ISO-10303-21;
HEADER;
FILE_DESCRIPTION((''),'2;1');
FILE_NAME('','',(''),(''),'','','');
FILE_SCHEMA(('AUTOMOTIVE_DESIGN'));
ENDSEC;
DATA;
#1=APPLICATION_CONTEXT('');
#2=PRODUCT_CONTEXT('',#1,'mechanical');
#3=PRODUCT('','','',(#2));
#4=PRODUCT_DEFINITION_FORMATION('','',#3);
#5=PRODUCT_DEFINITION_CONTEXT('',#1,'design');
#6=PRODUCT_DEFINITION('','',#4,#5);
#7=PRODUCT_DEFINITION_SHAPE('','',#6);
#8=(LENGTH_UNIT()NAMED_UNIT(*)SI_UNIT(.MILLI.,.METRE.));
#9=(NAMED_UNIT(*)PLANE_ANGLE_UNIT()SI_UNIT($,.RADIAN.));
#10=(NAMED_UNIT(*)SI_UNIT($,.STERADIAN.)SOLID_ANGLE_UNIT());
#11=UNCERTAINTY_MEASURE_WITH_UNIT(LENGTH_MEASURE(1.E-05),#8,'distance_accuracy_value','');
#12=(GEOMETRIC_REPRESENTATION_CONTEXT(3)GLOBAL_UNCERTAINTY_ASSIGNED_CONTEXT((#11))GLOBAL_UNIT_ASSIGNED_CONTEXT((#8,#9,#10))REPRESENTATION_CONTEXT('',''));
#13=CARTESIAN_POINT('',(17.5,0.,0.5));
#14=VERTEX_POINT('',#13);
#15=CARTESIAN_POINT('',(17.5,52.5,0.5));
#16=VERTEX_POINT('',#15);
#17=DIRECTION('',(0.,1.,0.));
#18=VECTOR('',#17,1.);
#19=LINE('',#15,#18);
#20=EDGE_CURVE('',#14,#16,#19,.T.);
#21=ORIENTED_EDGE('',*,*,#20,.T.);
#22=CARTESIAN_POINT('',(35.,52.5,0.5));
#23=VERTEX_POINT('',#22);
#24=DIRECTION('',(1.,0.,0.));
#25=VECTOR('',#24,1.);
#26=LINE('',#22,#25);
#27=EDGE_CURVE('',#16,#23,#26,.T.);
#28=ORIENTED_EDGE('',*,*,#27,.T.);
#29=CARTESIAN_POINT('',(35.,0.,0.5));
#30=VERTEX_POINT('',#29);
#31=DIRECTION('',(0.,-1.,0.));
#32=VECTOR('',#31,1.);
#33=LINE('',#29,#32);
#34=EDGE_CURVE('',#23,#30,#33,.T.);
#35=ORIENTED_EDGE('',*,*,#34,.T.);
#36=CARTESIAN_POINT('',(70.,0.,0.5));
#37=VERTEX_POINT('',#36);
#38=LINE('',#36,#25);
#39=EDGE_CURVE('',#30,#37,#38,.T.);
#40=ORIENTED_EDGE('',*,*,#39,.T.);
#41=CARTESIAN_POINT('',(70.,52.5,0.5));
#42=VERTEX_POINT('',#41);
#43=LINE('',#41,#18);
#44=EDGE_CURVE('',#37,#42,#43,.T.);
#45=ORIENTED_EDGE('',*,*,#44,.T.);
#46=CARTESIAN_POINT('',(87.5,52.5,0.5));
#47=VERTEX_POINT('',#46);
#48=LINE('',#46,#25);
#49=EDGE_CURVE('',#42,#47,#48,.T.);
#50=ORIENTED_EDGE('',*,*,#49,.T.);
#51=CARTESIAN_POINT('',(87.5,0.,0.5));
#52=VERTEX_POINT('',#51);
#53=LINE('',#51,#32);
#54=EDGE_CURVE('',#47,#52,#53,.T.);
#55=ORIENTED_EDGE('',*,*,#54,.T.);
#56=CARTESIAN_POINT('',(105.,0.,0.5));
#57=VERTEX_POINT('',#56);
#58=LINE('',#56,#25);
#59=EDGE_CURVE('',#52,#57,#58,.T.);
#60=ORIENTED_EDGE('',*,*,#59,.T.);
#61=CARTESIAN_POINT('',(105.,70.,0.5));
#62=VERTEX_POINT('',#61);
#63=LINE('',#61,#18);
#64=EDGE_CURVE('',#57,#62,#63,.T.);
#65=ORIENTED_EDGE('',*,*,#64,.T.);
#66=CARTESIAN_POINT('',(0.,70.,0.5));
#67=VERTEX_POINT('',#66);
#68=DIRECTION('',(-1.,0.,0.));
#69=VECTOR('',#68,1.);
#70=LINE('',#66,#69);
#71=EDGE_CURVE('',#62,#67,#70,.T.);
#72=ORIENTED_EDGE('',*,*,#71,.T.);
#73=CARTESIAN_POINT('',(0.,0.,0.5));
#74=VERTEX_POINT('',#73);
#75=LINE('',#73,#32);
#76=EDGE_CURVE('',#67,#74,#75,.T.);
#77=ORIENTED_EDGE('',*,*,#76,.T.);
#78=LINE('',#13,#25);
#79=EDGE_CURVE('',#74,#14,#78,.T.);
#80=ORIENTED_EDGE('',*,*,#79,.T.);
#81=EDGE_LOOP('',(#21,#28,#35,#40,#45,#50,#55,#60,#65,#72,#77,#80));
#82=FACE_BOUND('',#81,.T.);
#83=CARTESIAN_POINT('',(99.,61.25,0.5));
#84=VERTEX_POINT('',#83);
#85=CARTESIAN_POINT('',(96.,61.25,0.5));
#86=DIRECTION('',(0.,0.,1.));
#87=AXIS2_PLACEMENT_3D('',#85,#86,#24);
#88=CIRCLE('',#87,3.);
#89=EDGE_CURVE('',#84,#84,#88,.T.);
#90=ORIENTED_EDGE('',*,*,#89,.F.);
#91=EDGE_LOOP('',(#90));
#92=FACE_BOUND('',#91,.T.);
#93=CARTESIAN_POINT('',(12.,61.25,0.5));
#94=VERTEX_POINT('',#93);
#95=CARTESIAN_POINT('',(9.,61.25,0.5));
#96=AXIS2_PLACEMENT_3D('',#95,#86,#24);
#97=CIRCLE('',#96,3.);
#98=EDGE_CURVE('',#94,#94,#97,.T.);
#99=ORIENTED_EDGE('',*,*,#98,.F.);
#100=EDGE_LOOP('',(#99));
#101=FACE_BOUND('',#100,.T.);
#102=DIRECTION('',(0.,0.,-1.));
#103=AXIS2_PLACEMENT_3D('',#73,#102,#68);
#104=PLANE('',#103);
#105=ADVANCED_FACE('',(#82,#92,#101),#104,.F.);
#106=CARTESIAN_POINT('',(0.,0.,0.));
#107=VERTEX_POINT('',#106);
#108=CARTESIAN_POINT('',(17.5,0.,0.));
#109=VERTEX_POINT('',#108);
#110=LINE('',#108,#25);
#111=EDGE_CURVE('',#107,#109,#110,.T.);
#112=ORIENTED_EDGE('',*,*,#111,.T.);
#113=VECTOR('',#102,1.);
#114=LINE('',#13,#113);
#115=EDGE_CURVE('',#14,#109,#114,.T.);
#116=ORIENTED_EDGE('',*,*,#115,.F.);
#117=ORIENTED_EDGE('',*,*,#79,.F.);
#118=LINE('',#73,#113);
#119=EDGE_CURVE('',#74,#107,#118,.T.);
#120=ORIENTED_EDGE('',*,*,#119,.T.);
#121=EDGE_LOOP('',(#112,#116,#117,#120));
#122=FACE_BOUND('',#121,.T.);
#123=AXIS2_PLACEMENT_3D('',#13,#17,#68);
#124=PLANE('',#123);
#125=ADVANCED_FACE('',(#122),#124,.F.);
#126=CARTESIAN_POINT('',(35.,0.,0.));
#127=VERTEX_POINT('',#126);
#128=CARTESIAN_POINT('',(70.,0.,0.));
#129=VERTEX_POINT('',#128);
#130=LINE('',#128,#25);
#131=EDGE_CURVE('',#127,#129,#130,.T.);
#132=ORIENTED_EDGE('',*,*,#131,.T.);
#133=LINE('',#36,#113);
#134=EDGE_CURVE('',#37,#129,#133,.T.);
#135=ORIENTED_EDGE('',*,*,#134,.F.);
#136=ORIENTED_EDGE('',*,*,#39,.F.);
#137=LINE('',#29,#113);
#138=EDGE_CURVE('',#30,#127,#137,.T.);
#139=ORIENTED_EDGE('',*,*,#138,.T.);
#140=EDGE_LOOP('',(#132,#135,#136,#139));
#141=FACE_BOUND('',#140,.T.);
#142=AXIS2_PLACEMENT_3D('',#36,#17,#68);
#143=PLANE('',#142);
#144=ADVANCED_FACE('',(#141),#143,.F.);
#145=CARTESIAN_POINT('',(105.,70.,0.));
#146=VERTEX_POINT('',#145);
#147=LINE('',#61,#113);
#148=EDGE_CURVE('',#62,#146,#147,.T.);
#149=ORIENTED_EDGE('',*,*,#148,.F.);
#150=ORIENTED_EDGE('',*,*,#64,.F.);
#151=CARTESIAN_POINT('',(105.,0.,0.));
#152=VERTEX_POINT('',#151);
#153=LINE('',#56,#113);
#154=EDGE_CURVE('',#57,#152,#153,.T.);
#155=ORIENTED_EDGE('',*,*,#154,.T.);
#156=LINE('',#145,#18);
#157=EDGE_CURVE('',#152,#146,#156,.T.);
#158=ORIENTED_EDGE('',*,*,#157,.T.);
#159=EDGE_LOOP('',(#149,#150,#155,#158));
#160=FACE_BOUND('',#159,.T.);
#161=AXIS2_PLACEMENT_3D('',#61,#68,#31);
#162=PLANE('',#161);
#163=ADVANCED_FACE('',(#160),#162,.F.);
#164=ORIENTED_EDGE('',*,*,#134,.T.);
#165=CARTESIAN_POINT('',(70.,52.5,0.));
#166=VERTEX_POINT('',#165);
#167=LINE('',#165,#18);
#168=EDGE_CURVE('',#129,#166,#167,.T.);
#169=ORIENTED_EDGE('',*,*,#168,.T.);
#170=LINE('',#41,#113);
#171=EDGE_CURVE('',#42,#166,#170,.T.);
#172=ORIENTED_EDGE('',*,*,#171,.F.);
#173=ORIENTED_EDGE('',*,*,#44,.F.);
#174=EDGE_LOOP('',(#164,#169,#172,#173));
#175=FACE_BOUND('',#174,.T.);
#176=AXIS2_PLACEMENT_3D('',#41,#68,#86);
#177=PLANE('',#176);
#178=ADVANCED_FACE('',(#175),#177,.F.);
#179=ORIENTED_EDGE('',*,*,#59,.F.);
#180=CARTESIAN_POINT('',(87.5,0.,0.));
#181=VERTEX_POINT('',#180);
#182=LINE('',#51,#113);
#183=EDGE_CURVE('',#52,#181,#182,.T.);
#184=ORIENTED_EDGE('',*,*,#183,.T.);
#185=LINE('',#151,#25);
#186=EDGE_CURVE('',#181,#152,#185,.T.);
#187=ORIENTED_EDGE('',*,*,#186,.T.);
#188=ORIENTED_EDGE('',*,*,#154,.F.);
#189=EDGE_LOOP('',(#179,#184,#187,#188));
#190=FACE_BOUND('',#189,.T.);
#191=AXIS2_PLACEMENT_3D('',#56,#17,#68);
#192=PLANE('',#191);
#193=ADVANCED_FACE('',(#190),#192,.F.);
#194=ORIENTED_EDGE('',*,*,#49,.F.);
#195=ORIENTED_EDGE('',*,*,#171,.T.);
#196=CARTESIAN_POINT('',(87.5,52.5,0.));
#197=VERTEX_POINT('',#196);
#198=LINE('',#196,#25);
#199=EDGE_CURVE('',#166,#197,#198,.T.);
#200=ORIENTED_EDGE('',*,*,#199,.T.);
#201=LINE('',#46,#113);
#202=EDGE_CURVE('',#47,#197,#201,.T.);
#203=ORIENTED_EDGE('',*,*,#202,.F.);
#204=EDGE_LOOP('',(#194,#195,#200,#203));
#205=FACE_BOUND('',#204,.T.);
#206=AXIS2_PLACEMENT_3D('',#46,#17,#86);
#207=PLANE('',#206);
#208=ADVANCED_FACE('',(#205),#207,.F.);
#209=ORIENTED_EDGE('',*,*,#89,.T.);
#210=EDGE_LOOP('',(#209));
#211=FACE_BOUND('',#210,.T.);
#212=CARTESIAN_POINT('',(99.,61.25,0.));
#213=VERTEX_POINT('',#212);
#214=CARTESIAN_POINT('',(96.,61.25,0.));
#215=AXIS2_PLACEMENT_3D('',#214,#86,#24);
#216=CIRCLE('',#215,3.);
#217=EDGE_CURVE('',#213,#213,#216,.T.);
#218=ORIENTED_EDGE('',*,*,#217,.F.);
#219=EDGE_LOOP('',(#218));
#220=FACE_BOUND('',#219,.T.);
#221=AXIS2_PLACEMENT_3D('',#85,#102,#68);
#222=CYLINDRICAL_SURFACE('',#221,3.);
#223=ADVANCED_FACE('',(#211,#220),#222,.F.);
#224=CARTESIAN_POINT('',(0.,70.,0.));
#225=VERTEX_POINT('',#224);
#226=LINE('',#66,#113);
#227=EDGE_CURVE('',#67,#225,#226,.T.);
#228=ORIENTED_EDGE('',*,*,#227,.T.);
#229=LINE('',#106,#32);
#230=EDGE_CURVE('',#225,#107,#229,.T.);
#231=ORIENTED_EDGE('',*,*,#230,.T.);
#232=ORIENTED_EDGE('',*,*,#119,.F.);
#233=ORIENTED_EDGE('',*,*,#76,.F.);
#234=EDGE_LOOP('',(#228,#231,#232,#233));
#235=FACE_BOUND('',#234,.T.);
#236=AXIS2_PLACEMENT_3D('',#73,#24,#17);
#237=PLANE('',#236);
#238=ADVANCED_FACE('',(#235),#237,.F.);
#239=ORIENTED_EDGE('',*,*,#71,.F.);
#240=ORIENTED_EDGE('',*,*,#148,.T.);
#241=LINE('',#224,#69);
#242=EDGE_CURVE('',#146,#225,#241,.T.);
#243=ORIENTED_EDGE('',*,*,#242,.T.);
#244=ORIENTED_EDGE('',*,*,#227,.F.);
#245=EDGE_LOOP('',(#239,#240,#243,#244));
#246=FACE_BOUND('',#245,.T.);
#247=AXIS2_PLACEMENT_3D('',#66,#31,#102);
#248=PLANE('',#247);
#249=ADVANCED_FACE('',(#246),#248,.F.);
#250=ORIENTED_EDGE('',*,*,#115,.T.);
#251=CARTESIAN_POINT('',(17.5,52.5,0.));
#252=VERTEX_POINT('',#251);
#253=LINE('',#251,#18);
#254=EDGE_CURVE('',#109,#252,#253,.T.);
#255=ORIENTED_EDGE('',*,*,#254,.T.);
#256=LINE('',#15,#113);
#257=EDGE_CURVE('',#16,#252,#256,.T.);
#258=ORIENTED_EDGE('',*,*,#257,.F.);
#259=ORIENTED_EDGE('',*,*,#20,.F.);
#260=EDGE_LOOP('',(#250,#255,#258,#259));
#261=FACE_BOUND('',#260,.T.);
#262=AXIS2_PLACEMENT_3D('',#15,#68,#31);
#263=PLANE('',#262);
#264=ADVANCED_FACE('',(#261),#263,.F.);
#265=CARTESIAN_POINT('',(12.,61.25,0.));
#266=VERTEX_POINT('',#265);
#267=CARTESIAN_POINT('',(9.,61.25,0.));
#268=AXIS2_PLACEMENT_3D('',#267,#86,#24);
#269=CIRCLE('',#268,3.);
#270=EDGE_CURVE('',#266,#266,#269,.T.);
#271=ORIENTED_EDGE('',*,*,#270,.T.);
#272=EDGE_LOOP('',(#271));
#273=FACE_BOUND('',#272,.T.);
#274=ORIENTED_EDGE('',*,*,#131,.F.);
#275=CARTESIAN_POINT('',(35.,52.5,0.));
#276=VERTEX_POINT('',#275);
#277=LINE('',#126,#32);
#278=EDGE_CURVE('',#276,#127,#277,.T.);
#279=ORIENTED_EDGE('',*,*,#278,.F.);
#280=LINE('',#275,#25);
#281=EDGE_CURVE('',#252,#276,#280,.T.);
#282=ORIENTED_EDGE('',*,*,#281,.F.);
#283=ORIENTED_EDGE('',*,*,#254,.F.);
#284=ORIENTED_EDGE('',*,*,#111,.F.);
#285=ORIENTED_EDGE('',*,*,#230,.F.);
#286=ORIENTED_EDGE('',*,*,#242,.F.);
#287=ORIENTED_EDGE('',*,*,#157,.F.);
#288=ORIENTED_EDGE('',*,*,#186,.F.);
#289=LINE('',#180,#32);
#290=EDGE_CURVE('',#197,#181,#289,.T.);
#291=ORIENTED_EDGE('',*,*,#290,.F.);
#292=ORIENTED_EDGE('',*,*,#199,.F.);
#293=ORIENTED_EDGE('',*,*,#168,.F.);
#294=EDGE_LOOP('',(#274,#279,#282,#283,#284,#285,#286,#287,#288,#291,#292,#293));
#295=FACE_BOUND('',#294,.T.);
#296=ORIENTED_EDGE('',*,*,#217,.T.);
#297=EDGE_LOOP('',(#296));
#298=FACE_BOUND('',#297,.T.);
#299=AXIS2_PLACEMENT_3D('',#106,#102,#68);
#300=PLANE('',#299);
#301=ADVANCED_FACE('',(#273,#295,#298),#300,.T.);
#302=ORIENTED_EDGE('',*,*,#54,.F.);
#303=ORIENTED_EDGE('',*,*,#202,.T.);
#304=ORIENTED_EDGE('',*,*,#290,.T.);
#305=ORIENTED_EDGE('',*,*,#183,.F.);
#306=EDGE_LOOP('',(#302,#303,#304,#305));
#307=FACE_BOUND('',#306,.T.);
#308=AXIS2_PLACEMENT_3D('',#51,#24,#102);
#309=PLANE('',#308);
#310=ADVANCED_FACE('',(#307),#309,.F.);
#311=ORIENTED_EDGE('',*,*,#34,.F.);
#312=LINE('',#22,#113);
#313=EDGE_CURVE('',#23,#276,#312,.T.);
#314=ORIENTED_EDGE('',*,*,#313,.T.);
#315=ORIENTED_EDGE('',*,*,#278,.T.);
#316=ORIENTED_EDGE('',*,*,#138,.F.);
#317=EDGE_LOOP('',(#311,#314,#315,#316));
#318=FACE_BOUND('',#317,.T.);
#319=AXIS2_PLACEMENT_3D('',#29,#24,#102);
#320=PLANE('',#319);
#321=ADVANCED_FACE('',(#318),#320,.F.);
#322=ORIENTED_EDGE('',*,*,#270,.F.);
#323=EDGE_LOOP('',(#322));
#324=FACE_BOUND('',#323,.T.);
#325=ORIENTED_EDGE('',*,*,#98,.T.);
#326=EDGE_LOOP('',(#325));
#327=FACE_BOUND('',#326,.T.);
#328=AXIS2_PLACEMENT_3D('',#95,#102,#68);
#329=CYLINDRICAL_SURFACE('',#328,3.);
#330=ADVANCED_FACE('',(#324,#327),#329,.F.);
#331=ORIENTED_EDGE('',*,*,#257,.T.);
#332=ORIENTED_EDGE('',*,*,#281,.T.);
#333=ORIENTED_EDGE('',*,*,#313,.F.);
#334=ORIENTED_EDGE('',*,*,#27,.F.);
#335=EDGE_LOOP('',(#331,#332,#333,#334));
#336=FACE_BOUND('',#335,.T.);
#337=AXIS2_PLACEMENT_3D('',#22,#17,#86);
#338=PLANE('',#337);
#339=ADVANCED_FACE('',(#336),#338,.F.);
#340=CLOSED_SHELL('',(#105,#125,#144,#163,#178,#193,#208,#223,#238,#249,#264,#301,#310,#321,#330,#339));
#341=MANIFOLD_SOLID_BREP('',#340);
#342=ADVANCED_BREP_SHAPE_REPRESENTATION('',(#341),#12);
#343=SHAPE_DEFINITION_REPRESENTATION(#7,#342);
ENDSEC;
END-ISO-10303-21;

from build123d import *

# Parameters (mm, degrees)
SKETCH1_R           = 3
BOSS_EXTRUDE1_DEPTH = 0.5


with BuildPart() as part:
    # Sketch1 → Boss-Extrude1 (new body)
    with BuildSketch(Plane.XY):
        Polygon((0, 0), (0, 70), (105, 70), (105, 0), (87.5, 0), (87.5, 52.5), (70, 52.5), (70, 0), (35, 0), (35, 52.5), (17.5, 52.5), (17.5, 0), align=None)
        with Locations((9, 61.25)):
            Circle(SKETCH1_R, mode=Mode.SUBTRACT)
        with Locations((96, 61.25)):
            Circle(SKETCH1_R, mode=Mode.SUBTRACT)
    extrude(amount=BOSS_EXTRUDE1_DEPTH)


solid = part.part
